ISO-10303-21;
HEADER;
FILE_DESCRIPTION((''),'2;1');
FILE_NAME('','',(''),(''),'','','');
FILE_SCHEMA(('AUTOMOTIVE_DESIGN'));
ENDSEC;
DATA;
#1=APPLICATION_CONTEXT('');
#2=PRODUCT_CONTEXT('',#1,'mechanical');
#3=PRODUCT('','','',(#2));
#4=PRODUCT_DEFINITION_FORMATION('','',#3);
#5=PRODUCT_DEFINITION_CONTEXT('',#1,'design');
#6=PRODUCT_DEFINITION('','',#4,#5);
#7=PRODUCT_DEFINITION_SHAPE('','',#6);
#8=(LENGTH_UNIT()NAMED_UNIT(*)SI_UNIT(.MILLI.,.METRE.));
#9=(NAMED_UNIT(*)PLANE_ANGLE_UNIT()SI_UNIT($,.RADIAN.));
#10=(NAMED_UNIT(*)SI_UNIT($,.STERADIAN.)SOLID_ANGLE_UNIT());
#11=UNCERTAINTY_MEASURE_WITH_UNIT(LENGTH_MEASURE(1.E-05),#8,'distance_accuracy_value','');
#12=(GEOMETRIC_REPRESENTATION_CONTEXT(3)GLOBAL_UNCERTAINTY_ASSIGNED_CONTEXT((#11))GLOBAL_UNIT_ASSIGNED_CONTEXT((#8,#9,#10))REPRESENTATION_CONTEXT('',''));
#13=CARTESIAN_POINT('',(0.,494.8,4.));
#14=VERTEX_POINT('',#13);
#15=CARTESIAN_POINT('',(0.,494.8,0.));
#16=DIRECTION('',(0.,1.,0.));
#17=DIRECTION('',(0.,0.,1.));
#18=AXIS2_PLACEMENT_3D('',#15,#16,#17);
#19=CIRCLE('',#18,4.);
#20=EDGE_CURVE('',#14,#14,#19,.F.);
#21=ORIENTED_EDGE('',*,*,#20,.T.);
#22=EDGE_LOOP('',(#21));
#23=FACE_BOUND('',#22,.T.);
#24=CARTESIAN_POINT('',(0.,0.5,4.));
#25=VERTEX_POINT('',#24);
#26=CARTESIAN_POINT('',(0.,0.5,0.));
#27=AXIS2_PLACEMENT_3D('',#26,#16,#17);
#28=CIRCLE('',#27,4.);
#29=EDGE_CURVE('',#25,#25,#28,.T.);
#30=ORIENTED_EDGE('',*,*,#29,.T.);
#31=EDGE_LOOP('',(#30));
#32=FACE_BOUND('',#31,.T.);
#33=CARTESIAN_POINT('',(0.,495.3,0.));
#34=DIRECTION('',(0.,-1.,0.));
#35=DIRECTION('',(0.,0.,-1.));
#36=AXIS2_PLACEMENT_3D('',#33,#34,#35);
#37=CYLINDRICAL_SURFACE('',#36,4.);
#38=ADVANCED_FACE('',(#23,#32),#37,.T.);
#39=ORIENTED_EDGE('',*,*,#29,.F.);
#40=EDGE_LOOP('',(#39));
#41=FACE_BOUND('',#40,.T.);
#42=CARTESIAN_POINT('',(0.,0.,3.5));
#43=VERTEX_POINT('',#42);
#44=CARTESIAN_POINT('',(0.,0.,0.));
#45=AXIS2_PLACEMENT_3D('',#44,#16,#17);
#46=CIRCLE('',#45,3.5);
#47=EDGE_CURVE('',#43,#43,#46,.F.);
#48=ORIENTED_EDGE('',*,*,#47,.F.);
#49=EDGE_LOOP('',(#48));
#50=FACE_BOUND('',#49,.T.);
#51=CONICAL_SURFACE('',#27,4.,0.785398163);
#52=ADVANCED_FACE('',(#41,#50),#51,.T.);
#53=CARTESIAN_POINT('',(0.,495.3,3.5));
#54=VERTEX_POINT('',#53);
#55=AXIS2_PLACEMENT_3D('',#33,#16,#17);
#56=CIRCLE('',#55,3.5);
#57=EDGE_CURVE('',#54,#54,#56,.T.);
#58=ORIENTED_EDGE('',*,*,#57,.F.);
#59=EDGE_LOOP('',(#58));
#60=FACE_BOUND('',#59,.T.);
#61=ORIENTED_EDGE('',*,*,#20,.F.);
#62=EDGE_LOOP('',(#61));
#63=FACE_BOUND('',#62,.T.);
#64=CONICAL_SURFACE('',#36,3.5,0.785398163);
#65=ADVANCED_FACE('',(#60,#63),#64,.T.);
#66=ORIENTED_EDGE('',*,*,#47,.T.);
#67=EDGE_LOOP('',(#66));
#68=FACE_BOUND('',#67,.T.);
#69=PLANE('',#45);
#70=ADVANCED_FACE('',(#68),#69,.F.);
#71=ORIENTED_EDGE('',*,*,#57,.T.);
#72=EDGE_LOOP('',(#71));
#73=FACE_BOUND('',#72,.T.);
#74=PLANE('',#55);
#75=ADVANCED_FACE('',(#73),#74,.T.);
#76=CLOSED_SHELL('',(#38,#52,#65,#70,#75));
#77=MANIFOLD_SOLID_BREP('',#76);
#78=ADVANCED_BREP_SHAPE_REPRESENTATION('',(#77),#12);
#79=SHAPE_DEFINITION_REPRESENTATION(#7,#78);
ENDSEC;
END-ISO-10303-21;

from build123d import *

# Parameters (mm, degrees)
SKETCH1_R           = 4
BOSS_EXTRUDE1_DEPTH = 495.3
CHAMFER1_SIZE       = 0.5


with BuildPart() as part:
    # Sketch1 → Boss-Extrude1 (new body)
    with BuildSketch(Plane(origin=(0, 0, 0), x_dir=(1, 0, 0), z_dir=(0, 1, 0))):
        Circle(SKETCH1_R)
    extrude(amount=BOSS_EXTRUDE1_DEPTH)

    # Chamfer1
    chamfer1_edges = [part.edges().sort_by_distance(p)[0] for p in [
        (-4, 0, 0),
        (-4, 495.3, 0),
    ]]
    chamfer(chamfer1_edges, length=CHAMFER1_SIZE)


solid = part.part
